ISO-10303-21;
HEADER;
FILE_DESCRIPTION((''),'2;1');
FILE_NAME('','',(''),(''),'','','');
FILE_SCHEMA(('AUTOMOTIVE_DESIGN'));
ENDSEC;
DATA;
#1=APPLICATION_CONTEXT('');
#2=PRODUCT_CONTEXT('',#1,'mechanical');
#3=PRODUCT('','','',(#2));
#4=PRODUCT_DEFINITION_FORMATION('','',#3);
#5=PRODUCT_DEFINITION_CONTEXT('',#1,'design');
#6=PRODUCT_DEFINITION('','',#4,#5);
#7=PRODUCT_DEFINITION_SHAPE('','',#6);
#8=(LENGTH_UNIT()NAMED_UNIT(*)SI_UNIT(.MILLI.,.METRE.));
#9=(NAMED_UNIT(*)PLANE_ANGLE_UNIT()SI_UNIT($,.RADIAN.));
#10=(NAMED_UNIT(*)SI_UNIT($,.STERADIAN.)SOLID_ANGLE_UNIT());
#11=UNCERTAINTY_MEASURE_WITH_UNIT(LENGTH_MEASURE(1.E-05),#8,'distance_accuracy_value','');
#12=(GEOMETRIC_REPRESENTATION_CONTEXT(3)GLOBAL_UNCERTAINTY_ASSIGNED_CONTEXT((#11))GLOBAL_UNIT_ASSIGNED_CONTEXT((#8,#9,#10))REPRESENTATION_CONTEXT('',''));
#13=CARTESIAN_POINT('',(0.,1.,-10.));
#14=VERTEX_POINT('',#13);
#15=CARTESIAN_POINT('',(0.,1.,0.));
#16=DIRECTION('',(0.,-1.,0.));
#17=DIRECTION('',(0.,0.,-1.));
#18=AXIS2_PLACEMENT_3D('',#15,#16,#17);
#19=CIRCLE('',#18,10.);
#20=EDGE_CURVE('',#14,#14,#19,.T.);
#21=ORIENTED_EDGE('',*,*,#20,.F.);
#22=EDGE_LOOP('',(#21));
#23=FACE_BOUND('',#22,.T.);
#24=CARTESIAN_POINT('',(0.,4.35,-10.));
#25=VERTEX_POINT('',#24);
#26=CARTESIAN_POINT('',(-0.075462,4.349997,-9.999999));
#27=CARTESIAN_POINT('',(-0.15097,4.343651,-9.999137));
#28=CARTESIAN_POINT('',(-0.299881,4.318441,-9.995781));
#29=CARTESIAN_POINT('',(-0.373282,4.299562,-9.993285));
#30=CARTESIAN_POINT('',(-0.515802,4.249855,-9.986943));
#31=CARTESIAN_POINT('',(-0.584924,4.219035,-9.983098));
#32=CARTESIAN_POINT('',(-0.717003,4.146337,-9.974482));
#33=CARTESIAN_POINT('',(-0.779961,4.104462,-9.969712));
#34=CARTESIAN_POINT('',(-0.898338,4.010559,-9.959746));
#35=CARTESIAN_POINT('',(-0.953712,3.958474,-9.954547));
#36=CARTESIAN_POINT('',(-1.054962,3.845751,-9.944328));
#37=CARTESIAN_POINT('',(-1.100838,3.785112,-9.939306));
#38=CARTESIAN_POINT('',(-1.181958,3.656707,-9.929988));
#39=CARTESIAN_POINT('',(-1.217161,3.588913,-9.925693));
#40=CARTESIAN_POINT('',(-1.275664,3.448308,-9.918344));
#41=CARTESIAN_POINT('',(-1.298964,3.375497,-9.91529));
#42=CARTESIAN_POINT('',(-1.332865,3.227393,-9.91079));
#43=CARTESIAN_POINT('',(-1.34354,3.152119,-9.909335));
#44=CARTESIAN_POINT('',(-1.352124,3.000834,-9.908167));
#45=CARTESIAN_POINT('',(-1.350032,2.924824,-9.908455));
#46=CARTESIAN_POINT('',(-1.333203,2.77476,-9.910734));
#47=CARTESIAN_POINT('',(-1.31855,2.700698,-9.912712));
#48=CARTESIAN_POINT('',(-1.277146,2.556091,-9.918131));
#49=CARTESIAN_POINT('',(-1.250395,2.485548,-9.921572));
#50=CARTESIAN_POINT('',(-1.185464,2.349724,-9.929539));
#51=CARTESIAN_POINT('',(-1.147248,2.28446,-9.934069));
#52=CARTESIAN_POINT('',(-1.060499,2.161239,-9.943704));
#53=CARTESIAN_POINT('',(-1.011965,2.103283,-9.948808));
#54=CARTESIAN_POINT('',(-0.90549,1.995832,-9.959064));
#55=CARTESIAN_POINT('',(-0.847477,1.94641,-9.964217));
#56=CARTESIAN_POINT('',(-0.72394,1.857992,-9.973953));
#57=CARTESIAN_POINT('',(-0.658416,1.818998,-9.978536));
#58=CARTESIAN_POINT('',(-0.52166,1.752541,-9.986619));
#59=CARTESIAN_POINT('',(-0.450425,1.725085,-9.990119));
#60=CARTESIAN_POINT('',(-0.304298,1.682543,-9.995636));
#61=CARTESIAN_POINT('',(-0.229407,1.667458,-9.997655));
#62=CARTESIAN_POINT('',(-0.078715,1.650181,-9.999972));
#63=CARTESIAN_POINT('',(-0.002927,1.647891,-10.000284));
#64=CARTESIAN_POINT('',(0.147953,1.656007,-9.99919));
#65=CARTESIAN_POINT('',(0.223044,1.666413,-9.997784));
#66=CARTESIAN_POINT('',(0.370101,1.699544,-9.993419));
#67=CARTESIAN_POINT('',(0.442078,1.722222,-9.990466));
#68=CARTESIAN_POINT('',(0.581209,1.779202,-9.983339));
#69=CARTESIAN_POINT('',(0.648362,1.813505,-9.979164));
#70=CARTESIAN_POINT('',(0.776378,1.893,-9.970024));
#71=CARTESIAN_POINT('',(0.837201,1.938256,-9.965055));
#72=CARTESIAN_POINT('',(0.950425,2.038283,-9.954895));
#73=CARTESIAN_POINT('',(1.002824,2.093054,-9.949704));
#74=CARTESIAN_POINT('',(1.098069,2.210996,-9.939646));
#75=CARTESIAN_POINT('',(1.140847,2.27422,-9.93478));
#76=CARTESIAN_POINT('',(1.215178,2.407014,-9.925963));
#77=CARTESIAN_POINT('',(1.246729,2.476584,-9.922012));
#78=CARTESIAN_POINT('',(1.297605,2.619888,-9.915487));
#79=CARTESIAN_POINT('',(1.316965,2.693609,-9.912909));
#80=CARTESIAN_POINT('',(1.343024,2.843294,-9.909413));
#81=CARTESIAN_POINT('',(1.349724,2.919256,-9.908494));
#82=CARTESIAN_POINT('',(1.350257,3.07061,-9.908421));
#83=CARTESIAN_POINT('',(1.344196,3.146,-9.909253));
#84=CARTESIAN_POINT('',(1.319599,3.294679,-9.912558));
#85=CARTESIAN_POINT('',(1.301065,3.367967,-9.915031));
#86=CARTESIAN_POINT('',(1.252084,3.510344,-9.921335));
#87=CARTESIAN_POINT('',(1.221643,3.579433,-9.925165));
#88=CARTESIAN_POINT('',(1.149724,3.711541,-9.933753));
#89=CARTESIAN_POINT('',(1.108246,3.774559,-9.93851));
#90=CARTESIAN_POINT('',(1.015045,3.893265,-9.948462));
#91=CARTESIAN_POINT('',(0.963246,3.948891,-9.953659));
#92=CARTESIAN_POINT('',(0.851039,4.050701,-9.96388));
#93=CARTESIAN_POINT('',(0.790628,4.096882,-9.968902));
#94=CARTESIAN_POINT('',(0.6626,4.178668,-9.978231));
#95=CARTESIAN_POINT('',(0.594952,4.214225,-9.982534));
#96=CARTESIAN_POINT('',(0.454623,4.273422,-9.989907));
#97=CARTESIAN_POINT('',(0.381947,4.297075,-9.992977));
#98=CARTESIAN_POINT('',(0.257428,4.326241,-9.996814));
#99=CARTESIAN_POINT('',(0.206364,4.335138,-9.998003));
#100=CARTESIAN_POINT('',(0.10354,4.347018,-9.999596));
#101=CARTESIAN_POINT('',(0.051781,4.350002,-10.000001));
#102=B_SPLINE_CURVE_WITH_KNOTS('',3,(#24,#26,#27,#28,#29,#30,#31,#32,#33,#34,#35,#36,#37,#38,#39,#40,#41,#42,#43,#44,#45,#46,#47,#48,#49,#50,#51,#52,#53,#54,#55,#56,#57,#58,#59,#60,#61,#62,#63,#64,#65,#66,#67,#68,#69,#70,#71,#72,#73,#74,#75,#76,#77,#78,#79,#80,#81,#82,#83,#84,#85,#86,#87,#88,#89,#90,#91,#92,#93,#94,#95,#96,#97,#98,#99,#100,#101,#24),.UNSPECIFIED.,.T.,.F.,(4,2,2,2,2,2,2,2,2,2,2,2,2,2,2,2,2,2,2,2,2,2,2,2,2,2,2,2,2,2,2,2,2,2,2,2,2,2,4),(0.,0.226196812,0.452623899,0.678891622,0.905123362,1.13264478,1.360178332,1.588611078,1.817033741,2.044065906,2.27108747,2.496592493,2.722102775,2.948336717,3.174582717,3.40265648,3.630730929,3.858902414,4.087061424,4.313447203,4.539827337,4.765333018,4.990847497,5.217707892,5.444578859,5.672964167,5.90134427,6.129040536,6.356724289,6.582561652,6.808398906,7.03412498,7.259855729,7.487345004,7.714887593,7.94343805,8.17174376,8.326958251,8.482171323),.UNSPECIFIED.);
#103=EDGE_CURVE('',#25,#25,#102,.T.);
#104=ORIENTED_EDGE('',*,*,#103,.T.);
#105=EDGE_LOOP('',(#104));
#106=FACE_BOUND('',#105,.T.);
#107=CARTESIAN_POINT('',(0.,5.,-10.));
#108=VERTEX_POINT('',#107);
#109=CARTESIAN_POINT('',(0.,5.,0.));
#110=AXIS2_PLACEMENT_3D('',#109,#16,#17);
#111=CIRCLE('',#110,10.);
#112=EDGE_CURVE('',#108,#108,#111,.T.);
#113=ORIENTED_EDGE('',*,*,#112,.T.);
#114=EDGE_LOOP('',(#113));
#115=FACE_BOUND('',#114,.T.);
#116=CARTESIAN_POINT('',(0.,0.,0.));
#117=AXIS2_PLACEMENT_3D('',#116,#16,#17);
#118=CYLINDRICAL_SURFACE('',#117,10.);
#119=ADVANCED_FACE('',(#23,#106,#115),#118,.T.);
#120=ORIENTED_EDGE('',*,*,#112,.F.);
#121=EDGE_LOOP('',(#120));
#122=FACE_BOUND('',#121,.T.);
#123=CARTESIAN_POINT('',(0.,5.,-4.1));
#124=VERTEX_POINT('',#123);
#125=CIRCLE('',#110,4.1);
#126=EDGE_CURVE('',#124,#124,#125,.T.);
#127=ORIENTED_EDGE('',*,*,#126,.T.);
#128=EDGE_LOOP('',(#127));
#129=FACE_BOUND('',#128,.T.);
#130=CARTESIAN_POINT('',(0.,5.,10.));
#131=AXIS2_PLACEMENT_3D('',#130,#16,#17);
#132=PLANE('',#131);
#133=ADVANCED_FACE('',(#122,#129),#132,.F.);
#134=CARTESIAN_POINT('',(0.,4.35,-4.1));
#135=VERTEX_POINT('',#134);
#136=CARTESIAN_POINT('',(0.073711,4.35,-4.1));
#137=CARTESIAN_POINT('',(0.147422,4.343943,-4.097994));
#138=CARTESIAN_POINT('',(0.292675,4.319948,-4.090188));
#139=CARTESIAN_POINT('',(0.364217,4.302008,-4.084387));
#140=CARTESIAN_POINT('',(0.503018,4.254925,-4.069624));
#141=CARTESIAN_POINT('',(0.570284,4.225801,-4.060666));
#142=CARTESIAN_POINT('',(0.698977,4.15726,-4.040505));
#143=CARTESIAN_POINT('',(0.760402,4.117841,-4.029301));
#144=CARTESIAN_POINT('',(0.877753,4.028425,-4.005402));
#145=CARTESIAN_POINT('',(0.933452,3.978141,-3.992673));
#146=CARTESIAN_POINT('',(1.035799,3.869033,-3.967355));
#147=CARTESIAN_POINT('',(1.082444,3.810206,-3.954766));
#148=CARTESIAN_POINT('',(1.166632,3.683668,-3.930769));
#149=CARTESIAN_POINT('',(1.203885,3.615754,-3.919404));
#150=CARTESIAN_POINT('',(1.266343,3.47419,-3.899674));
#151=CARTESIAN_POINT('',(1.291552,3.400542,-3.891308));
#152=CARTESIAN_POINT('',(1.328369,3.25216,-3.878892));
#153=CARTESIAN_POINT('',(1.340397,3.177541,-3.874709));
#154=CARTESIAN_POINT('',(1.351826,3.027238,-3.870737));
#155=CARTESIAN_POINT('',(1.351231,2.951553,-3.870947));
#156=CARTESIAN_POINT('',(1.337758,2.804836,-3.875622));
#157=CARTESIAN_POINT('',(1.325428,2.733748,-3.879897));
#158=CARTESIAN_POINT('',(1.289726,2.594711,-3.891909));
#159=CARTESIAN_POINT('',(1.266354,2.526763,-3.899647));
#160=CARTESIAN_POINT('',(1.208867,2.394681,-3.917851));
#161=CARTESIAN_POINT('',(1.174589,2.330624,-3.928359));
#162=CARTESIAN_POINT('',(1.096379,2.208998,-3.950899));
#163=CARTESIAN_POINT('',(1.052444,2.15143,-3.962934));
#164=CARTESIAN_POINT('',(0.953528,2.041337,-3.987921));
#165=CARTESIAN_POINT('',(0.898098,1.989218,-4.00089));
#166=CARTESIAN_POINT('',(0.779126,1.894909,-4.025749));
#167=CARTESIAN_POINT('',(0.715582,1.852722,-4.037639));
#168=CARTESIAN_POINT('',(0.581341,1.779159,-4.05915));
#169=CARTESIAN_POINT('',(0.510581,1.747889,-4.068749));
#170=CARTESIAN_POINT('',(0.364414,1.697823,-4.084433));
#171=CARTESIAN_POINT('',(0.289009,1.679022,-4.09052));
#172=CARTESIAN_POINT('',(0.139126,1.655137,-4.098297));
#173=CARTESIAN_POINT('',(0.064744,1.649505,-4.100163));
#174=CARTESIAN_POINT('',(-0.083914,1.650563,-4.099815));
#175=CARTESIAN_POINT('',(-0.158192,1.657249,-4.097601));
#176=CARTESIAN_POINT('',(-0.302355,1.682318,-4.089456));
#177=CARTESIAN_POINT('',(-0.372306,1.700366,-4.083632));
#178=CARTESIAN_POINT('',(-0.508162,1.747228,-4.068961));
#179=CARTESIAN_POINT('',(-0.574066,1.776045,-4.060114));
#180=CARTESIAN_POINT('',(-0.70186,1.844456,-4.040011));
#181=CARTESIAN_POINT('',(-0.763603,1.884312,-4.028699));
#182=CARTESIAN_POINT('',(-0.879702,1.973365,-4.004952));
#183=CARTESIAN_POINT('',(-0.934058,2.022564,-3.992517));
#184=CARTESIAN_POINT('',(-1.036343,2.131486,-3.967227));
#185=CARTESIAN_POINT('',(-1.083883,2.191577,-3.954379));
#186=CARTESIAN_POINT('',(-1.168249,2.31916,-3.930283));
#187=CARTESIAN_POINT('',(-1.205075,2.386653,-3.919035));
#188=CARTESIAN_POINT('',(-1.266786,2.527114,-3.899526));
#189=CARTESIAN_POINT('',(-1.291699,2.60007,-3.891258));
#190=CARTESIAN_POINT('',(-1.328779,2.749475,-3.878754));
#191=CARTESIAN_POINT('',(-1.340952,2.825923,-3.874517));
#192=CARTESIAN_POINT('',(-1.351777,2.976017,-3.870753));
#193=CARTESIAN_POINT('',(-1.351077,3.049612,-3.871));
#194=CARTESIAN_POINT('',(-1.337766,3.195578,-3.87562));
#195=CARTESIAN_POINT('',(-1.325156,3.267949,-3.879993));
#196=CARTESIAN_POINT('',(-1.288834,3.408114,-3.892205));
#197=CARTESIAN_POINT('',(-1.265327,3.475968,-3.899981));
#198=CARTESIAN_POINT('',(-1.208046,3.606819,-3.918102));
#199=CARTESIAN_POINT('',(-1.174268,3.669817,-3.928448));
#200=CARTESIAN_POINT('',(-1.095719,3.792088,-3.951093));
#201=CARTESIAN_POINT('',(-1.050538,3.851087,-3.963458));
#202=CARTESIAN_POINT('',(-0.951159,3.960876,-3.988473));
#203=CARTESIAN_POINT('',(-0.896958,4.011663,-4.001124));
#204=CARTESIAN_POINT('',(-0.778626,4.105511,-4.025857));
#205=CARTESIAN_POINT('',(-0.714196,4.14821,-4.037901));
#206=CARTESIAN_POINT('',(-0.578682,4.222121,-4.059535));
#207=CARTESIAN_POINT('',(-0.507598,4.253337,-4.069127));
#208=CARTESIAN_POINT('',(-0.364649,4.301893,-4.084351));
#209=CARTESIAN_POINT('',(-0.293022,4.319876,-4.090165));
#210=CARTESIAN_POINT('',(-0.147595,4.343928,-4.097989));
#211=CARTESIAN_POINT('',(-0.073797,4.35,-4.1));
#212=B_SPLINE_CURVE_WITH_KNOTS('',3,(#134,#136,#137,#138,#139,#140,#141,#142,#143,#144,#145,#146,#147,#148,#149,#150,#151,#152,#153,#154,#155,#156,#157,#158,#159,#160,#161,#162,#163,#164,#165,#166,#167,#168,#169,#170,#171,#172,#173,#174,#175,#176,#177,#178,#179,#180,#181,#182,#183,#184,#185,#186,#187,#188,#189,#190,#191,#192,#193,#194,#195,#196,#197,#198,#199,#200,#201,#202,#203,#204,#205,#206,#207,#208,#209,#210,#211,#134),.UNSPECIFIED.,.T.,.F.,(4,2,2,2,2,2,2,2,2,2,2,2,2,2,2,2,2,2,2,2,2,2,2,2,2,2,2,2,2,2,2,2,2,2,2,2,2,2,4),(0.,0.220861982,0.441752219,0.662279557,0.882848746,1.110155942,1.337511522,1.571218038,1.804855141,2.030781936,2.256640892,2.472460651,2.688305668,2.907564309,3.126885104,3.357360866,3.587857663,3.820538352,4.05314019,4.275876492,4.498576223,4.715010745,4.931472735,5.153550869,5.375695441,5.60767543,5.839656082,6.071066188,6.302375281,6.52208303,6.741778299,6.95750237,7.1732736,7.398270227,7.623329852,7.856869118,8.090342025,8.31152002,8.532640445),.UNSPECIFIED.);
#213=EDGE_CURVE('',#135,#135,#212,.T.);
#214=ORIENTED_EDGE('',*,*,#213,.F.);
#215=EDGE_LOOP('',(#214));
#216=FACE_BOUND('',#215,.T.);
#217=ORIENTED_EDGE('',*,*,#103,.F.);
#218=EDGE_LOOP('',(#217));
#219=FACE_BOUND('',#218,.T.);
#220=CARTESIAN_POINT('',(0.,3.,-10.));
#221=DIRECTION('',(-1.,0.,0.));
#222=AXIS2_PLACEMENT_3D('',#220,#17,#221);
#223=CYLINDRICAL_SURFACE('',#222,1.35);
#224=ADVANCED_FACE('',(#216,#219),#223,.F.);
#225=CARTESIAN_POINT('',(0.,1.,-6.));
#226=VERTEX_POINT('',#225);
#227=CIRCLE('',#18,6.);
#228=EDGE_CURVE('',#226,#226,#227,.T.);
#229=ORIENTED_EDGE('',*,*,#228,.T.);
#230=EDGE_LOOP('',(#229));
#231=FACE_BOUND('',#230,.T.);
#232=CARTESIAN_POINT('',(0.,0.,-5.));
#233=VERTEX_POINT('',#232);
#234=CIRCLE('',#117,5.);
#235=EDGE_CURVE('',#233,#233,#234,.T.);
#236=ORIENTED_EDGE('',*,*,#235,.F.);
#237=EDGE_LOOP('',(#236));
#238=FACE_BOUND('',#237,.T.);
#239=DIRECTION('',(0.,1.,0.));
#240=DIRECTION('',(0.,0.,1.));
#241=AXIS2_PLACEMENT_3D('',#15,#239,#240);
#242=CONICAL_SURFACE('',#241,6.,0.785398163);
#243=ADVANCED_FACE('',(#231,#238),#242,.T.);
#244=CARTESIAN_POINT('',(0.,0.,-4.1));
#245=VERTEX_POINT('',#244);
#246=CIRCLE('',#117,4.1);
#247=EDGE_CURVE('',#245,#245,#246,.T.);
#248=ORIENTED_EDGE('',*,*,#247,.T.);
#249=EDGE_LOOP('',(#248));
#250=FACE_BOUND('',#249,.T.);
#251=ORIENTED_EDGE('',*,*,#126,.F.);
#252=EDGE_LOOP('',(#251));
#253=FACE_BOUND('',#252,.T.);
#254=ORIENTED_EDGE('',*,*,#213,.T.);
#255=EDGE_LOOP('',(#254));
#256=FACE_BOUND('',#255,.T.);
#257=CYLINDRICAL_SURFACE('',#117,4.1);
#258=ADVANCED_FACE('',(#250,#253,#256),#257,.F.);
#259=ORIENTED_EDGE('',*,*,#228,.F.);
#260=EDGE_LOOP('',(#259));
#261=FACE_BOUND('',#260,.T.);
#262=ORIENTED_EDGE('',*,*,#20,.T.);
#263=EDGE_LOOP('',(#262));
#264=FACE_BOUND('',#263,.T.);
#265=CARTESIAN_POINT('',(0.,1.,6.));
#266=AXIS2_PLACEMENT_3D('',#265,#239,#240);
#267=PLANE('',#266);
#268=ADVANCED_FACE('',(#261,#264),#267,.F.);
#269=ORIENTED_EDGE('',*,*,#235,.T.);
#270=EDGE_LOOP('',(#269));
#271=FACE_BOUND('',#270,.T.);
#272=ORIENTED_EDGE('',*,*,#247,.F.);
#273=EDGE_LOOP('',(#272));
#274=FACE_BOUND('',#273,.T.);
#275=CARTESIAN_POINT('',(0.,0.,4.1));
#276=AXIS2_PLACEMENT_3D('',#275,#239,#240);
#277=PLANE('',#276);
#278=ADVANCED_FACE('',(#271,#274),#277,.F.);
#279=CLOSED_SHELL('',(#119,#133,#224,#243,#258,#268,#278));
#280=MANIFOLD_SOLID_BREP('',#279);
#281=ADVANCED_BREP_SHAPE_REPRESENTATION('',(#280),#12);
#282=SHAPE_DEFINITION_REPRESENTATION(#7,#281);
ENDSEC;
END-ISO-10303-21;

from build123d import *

# Parameters (mm, degrees)
F_2_7_2_7_DIAMETER_HOLE1_REACH  = 24.913
F_2_7_2_7_DIAMETER_HOLE1_BORE_R = 1.35


with BuildPart() as part:
    # Sketch1 → Revolve1 (revolve)
    with BuildSketch(Plane(origin=(0, 0, 0), x_dir=(0, 0, -1), z_dir=(1, 0, 0)), mode=Mode.PRIVATE) as revolve1_sk:
        Polygon((-4.1, 0), (-5, 0), (-6, 1), (-10, 1), (-10, 5), (-4.1, 5), align=None)
    revolve(revolve1_sk.sketch.rotate(Axis((0, 0, 0), (0, 1, 0)), 180), axis=Axis((0, 0, 0), (0, 1, 0)))

    # Ø2.7 (2.7) Diameter Hole1 bore → Ø2.7 (2.7) Diameter Hole1 (cut, up to next)
    with BuildSketch(Plane(origin=(0, 0, -10), x_dir=(-1, 0, 0), z_dir=(0, 0, -1)), mode=Mode.PRIVATE) as f_2_7_2_7_diameter_hole1_sk1:
        with Locations((0, 3)):
            Circle(F_2_7_2_7_DIAMETER_HOLE1_BORE_R)
    f_2_7_2_7_diameter_hole1_tool1 = extrude(f_2_7_2_7_diameter_hole1_sk1.sketch, amount=-F_2_7_2_7_DIAMETER_HOLE1_REACH, mode=Mode.PRIVATE) & part.part
    add(f_2_7_2_7_diameter_hole1_tool1.solids().sort_by_distance((0, 3, -10))[0], mode=Mode.SUBTRACT)


solid = part.part
